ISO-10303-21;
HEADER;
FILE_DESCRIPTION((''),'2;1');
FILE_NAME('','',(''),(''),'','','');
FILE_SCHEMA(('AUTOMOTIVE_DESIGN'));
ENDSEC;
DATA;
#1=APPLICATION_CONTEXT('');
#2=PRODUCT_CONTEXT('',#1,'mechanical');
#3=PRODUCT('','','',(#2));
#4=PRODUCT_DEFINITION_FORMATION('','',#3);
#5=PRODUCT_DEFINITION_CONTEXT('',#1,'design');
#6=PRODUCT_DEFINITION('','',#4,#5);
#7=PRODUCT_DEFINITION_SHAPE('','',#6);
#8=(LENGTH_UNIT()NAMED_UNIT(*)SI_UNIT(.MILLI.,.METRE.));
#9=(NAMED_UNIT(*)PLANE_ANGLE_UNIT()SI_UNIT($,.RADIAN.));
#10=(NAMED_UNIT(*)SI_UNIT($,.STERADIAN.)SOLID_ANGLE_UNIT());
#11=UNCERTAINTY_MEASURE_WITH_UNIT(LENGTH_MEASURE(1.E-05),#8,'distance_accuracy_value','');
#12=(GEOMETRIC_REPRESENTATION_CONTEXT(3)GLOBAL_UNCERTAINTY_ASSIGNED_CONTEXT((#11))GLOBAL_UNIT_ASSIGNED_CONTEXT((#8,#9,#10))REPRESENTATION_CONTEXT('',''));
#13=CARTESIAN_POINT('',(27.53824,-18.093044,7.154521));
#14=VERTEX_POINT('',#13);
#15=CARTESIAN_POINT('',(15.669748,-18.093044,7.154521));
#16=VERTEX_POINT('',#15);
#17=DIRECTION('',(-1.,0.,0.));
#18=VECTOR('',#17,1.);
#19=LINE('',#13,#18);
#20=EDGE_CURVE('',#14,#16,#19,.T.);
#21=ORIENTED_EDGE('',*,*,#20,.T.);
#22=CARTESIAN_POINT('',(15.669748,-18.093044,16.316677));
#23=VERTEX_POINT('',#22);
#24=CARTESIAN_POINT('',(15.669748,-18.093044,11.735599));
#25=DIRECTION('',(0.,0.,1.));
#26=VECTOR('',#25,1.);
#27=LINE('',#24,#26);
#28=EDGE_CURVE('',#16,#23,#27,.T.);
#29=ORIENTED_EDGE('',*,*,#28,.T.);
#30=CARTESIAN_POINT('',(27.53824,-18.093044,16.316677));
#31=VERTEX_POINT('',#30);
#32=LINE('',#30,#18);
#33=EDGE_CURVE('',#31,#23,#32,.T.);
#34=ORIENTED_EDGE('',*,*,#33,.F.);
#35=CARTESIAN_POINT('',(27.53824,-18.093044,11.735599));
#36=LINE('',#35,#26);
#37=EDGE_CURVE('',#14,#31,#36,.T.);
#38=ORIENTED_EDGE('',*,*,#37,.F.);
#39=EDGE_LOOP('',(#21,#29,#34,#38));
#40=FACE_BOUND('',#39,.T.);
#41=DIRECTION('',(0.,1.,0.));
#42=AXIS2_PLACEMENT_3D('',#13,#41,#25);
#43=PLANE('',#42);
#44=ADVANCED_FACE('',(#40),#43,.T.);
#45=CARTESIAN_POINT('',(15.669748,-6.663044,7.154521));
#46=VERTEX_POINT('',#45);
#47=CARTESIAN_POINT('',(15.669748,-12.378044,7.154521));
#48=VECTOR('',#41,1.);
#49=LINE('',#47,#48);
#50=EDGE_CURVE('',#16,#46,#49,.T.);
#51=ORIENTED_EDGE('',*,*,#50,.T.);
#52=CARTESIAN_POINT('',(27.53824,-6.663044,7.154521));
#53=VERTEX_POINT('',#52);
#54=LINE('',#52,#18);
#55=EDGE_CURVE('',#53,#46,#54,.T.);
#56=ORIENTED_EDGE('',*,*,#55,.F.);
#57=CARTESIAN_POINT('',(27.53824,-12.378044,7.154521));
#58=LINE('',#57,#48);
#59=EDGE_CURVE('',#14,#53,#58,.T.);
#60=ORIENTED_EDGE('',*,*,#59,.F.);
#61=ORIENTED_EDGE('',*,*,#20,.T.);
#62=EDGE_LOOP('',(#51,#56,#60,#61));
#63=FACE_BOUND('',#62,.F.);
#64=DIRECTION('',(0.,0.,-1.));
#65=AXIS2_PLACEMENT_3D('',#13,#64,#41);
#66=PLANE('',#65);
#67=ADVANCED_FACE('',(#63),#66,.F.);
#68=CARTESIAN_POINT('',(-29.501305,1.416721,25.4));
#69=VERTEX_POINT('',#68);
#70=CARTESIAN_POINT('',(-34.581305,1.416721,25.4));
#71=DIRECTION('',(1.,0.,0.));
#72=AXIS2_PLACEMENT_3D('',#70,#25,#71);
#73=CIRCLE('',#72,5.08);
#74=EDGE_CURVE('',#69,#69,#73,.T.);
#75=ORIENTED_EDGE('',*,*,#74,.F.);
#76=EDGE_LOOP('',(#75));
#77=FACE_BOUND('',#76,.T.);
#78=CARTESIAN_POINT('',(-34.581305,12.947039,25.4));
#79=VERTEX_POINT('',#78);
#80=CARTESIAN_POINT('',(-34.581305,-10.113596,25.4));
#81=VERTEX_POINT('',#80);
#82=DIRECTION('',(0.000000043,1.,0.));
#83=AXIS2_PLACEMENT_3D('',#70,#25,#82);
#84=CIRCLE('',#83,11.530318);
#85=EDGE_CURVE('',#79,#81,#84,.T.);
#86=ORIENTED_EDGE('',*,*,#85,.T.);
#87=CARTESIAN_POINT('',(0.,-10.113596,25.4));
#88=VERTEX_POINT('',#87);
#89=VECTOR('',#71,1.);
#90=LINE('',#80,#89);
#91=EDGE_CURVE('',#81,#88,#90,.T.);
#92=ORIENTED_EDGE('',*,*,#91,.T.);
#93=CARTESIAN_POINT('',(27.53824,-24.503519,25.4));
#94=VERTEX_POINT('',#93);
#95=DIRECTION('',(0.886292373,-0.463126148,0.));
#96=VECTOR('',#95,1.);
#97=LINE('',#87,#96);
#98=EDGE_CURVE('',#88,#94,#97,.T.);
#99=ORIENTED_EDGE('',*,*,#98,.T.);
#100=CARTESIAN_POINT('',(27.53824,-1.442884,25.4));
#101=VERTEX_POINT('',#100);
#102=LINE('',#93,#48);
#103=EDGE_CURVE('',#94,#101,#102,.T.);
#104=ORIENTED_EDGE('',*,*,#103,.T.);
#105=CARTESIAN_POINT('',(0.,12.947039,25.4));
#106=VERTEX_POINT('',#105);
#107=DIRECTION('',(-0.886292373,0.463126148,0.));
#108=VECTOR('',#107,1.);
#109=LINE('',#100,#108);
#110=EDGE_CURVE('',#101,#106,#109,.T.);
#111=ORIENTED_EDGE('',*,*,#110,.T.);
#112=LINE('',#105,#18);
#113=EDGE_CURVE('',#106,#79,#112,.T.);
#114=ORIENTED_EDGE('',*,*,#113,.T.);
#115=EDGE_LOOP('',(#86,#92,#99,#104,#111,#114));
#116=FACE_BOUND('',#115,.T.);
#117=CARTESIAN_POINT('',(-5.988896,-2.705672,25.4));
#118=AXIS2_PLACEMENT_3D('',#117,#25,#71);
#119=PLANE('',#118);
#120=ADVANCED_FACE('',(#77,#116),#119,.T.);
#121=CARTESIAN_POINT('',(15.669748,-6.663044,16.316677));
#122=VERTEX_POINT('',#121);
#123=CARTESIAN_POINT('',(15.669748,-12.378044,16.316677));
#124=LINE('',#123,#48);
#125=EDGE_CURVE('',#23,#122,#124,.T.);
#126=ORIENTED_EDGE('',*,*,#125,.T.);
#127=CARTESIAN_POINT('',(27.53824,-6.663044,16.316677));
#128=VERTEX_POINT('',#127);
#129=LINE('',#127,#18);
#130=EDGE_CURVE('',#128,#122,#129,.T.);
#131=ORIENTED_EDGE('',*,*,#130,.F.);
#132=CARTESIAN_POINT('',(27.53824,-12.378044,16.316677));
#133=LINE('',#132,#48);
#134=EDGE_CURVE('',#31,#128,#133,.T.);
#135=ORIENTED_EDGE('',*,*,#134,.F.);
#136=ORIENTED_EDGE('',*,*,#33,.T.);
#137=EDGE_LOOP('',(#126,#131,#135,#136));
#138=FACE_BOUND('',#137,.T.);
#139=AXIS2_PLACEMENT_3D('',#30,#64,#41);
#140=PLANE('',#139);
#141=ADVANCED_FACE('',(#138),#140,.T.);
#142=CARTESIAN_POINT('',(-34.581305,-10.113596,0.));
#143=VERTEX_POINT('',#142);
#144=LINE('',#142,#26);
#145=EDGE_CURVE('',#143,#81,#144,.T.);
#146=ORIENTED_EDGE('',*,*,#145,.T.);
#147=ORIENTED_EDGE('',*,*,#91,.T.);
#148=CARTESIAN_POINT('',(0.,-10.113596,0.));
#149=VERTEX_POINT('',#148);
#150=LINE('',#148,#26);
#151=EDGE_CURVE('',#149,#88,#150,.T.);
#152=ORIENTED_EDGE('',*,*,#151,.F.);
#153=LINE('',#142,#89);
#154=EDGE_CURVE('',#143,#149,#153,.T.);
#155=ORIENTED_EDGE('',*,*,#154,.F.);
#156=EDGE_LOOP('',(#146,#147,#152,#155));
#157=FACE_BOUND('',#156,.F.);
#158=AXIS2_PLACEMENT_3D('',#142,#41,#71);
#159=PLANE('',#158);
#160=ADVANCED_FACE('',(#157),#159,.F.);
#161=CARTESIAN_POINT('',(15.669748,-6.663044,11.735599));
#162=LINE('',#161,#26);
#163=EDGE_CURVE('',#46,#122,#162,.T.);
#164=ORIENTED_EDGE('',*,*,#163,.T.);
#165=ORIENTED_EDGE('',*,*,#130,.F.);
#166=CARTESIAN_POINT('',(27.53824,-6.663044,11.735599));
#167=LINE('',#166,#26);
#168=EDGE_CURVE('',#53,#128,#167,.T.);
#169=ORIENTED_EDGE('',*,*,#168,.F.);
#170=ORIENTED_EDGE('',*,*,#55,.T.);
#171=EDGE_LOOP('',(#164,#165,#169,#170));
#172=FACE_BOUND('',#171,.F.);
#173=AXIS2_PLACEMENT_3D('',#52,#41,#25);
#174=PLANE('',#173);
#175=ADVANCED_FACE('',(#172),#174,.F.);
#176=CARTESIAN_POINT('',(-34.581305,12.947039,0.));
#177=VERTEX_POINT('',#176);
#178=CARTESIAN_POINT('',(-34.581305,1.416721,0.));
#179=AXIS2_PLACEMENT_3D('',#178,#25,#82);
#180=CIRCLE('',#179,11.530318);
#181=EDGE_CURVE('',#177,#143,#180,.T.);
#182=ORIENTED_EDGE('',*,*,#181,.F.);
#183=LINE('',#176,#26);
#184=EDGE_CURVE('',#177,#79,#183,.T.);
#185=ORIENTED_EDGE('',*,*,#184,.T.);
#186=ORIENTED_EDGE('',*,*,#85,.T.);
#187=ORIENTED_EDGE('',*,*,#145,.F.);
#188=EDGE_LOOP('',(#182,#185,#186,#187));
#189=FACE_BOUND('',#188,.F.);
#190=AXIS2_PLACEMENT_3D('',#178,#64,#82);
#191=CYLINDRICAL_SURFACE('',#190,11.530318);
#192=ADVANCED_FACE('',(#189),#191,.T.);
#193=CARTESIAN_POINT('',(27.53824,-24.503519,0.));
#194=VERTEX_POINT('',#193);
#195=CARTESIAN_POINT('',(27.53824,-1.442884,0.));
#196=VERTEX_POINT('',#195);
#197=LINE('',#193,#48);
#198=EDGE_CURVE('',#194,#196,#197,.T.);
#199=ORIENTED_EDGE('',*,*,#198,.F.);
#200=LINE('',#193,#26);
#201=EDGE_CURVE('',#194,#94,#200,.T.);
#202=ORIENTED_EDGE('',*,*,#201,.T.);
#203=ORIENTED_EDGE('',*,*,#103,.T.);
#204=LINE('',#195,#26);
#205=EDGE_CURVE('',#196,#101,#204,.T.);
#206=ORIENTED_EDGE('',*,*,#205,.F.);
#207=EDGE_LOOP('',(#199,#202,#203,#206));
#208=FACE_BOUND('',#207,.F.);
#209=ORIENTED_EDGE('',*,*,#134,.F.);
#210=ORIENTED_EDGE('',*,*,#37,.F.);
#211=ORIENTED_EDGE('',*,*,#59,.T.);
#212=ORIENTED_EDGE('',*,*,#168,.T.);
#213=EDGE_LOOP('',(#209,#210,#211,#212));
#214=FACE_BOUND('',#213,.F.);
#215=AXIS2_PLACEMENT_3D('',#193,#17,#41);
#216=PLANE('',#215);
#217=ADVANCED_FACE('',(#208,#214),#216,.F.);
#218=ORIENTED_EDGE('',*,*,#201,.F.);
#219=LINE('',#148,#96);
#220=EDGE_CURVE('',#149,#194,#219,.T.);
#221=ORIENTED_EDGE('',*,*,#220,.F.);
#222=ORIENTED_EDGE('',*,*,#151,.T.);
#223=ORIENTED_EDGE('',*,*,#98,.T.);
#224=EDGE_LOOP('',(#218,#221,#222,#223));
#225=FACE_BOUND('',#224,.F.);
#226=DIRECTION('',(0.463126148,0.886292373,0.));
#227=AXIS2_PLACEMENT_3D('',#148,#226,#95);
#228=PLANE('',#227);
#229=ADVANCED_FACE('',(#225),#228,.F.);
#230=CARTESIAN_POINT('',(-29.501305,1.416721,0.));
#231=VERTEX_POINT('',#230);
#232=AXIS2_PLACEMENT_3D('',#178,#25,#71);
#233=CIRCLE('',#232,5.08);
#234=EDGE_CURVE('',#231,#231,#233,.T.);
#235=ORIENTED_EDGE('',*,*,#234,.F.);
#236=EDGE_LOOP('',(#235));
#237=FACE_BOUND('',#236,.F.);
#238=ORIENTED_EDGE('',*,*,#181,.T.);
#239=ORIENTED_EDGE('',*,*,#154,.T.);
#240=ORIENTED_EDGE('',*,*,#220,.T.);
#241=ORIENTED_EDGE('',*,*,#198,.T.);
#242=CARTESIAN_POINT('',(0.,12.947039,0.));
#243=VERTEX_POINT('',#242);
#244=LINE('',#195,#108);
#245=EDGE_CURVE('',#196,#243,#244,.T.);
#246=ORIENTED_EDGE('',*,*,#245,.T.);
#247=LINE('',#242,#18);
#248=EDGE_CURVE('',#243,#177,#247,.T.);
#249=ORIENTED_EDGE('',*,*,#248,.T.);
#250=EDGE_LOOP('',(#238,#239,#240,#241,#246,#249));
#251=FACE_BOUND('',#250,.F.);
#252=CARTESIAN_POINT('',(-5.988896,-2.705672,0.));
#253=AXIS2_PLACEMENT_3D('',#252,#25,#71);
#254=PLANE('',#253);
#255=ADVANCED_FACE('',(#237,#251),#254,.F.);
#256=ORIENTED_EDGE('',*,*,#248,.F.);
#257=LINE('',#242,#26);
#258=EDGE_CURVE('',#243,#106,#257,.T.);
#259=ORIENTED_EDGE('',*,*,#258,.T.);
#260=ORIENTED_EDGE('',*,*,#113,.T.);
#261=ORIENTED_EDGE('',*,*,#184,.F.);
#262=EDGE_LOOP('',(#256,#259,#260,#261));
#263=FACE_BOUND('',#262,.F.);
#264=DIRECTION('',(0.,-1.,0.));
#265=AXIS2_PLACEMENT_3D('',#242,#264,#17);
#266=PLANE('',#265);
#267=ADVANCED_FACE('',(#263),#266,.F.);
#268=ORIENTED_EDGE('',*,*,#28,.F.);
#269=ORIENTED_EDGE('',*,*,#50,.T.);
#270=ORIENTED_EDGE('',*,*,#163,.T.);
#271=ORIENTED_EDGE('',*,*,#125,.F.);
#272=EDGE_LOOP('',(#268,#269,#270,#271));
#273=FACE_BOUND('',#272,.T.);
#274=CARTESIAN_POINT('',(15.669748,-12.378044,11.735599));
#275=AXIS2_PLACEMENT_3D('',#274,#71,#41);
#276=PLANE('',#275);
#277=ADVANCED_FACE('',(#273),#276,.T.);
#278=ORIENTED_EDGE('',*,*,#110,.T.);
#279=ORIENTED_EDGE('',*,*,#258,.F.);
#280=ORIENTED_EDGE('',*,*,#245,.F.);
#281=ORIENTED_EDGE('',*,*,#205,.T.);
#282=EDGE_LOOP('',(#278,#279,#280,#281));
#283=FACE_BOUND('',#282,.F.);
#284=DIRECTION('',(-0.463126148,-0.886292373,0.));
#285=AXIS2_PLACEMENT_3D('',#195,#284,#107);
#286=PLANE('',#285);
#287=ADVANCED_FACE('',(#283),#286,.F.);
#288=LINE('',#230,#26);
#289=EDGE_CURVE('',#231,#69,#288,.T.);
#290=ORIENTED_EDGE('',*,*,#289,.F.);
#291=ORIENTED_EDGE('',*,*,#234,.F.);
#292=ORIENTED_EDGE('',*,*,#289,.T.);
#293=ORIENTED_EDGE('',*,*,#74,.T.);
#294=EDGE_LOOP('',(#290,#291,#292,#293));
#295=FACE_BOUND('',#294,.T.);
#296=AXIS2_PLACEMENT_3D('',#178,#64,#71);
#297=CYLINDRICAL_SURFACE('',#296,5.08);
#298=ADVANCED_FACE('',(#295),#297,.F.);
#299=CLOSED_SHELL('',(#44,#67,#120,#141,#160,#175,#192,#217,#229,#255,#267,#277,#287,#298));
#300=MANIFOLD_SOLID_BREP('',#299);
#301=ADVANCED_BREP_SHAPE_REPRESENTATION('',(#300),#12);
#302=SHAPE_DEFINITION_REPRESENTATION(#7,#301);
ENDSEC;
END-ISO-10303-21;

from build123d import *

# Parameters (mm, degrees)
F0_R     = 5.08
F1_DEPTH = 25.4
F2_W     = 11.43
F2_H     = 9.162156
F3_DEPTH = 11.868492


with BuildPart() as f1:
    # F0 (on Top) → F1 (new body)
    with BuildSketch(Plane.XY):
        with BuildLine():
            ThreePointArc((-34.581305, 12.947039), (-46.111623, 1.416721), (-34.581305, -10.113596))
            Line((-34.581305, -10.113596), (0, -10.113596))
            Line((0, -10.113596), (27.53824, -24.503519))
            Line((27.53824, -24.503519), (27.53824, -1.442884))
            Line((27.53824, -1.442884), (0, 12.947039))
            Line((0, 12.947039), (-34.581305, 12.947039))
        make_face()
        with Locations((-34.581305, 1.416721)):
            Circle(F0_R, mode=Mode.SUBTRACT)
    extrude(amount=F1_DEPTH)

    # F2 (on face) → F3 (cut)
    with BuildSketch(Plane.YZ.offset(27.53824)):
        with Locations((-12.378044, 11.735599)):
            Rectangle(F2_W, F2_H)
    extrude(amount=-F3_DEPTH, mode=Mode.SUBTRACT)


solid = f1.part
